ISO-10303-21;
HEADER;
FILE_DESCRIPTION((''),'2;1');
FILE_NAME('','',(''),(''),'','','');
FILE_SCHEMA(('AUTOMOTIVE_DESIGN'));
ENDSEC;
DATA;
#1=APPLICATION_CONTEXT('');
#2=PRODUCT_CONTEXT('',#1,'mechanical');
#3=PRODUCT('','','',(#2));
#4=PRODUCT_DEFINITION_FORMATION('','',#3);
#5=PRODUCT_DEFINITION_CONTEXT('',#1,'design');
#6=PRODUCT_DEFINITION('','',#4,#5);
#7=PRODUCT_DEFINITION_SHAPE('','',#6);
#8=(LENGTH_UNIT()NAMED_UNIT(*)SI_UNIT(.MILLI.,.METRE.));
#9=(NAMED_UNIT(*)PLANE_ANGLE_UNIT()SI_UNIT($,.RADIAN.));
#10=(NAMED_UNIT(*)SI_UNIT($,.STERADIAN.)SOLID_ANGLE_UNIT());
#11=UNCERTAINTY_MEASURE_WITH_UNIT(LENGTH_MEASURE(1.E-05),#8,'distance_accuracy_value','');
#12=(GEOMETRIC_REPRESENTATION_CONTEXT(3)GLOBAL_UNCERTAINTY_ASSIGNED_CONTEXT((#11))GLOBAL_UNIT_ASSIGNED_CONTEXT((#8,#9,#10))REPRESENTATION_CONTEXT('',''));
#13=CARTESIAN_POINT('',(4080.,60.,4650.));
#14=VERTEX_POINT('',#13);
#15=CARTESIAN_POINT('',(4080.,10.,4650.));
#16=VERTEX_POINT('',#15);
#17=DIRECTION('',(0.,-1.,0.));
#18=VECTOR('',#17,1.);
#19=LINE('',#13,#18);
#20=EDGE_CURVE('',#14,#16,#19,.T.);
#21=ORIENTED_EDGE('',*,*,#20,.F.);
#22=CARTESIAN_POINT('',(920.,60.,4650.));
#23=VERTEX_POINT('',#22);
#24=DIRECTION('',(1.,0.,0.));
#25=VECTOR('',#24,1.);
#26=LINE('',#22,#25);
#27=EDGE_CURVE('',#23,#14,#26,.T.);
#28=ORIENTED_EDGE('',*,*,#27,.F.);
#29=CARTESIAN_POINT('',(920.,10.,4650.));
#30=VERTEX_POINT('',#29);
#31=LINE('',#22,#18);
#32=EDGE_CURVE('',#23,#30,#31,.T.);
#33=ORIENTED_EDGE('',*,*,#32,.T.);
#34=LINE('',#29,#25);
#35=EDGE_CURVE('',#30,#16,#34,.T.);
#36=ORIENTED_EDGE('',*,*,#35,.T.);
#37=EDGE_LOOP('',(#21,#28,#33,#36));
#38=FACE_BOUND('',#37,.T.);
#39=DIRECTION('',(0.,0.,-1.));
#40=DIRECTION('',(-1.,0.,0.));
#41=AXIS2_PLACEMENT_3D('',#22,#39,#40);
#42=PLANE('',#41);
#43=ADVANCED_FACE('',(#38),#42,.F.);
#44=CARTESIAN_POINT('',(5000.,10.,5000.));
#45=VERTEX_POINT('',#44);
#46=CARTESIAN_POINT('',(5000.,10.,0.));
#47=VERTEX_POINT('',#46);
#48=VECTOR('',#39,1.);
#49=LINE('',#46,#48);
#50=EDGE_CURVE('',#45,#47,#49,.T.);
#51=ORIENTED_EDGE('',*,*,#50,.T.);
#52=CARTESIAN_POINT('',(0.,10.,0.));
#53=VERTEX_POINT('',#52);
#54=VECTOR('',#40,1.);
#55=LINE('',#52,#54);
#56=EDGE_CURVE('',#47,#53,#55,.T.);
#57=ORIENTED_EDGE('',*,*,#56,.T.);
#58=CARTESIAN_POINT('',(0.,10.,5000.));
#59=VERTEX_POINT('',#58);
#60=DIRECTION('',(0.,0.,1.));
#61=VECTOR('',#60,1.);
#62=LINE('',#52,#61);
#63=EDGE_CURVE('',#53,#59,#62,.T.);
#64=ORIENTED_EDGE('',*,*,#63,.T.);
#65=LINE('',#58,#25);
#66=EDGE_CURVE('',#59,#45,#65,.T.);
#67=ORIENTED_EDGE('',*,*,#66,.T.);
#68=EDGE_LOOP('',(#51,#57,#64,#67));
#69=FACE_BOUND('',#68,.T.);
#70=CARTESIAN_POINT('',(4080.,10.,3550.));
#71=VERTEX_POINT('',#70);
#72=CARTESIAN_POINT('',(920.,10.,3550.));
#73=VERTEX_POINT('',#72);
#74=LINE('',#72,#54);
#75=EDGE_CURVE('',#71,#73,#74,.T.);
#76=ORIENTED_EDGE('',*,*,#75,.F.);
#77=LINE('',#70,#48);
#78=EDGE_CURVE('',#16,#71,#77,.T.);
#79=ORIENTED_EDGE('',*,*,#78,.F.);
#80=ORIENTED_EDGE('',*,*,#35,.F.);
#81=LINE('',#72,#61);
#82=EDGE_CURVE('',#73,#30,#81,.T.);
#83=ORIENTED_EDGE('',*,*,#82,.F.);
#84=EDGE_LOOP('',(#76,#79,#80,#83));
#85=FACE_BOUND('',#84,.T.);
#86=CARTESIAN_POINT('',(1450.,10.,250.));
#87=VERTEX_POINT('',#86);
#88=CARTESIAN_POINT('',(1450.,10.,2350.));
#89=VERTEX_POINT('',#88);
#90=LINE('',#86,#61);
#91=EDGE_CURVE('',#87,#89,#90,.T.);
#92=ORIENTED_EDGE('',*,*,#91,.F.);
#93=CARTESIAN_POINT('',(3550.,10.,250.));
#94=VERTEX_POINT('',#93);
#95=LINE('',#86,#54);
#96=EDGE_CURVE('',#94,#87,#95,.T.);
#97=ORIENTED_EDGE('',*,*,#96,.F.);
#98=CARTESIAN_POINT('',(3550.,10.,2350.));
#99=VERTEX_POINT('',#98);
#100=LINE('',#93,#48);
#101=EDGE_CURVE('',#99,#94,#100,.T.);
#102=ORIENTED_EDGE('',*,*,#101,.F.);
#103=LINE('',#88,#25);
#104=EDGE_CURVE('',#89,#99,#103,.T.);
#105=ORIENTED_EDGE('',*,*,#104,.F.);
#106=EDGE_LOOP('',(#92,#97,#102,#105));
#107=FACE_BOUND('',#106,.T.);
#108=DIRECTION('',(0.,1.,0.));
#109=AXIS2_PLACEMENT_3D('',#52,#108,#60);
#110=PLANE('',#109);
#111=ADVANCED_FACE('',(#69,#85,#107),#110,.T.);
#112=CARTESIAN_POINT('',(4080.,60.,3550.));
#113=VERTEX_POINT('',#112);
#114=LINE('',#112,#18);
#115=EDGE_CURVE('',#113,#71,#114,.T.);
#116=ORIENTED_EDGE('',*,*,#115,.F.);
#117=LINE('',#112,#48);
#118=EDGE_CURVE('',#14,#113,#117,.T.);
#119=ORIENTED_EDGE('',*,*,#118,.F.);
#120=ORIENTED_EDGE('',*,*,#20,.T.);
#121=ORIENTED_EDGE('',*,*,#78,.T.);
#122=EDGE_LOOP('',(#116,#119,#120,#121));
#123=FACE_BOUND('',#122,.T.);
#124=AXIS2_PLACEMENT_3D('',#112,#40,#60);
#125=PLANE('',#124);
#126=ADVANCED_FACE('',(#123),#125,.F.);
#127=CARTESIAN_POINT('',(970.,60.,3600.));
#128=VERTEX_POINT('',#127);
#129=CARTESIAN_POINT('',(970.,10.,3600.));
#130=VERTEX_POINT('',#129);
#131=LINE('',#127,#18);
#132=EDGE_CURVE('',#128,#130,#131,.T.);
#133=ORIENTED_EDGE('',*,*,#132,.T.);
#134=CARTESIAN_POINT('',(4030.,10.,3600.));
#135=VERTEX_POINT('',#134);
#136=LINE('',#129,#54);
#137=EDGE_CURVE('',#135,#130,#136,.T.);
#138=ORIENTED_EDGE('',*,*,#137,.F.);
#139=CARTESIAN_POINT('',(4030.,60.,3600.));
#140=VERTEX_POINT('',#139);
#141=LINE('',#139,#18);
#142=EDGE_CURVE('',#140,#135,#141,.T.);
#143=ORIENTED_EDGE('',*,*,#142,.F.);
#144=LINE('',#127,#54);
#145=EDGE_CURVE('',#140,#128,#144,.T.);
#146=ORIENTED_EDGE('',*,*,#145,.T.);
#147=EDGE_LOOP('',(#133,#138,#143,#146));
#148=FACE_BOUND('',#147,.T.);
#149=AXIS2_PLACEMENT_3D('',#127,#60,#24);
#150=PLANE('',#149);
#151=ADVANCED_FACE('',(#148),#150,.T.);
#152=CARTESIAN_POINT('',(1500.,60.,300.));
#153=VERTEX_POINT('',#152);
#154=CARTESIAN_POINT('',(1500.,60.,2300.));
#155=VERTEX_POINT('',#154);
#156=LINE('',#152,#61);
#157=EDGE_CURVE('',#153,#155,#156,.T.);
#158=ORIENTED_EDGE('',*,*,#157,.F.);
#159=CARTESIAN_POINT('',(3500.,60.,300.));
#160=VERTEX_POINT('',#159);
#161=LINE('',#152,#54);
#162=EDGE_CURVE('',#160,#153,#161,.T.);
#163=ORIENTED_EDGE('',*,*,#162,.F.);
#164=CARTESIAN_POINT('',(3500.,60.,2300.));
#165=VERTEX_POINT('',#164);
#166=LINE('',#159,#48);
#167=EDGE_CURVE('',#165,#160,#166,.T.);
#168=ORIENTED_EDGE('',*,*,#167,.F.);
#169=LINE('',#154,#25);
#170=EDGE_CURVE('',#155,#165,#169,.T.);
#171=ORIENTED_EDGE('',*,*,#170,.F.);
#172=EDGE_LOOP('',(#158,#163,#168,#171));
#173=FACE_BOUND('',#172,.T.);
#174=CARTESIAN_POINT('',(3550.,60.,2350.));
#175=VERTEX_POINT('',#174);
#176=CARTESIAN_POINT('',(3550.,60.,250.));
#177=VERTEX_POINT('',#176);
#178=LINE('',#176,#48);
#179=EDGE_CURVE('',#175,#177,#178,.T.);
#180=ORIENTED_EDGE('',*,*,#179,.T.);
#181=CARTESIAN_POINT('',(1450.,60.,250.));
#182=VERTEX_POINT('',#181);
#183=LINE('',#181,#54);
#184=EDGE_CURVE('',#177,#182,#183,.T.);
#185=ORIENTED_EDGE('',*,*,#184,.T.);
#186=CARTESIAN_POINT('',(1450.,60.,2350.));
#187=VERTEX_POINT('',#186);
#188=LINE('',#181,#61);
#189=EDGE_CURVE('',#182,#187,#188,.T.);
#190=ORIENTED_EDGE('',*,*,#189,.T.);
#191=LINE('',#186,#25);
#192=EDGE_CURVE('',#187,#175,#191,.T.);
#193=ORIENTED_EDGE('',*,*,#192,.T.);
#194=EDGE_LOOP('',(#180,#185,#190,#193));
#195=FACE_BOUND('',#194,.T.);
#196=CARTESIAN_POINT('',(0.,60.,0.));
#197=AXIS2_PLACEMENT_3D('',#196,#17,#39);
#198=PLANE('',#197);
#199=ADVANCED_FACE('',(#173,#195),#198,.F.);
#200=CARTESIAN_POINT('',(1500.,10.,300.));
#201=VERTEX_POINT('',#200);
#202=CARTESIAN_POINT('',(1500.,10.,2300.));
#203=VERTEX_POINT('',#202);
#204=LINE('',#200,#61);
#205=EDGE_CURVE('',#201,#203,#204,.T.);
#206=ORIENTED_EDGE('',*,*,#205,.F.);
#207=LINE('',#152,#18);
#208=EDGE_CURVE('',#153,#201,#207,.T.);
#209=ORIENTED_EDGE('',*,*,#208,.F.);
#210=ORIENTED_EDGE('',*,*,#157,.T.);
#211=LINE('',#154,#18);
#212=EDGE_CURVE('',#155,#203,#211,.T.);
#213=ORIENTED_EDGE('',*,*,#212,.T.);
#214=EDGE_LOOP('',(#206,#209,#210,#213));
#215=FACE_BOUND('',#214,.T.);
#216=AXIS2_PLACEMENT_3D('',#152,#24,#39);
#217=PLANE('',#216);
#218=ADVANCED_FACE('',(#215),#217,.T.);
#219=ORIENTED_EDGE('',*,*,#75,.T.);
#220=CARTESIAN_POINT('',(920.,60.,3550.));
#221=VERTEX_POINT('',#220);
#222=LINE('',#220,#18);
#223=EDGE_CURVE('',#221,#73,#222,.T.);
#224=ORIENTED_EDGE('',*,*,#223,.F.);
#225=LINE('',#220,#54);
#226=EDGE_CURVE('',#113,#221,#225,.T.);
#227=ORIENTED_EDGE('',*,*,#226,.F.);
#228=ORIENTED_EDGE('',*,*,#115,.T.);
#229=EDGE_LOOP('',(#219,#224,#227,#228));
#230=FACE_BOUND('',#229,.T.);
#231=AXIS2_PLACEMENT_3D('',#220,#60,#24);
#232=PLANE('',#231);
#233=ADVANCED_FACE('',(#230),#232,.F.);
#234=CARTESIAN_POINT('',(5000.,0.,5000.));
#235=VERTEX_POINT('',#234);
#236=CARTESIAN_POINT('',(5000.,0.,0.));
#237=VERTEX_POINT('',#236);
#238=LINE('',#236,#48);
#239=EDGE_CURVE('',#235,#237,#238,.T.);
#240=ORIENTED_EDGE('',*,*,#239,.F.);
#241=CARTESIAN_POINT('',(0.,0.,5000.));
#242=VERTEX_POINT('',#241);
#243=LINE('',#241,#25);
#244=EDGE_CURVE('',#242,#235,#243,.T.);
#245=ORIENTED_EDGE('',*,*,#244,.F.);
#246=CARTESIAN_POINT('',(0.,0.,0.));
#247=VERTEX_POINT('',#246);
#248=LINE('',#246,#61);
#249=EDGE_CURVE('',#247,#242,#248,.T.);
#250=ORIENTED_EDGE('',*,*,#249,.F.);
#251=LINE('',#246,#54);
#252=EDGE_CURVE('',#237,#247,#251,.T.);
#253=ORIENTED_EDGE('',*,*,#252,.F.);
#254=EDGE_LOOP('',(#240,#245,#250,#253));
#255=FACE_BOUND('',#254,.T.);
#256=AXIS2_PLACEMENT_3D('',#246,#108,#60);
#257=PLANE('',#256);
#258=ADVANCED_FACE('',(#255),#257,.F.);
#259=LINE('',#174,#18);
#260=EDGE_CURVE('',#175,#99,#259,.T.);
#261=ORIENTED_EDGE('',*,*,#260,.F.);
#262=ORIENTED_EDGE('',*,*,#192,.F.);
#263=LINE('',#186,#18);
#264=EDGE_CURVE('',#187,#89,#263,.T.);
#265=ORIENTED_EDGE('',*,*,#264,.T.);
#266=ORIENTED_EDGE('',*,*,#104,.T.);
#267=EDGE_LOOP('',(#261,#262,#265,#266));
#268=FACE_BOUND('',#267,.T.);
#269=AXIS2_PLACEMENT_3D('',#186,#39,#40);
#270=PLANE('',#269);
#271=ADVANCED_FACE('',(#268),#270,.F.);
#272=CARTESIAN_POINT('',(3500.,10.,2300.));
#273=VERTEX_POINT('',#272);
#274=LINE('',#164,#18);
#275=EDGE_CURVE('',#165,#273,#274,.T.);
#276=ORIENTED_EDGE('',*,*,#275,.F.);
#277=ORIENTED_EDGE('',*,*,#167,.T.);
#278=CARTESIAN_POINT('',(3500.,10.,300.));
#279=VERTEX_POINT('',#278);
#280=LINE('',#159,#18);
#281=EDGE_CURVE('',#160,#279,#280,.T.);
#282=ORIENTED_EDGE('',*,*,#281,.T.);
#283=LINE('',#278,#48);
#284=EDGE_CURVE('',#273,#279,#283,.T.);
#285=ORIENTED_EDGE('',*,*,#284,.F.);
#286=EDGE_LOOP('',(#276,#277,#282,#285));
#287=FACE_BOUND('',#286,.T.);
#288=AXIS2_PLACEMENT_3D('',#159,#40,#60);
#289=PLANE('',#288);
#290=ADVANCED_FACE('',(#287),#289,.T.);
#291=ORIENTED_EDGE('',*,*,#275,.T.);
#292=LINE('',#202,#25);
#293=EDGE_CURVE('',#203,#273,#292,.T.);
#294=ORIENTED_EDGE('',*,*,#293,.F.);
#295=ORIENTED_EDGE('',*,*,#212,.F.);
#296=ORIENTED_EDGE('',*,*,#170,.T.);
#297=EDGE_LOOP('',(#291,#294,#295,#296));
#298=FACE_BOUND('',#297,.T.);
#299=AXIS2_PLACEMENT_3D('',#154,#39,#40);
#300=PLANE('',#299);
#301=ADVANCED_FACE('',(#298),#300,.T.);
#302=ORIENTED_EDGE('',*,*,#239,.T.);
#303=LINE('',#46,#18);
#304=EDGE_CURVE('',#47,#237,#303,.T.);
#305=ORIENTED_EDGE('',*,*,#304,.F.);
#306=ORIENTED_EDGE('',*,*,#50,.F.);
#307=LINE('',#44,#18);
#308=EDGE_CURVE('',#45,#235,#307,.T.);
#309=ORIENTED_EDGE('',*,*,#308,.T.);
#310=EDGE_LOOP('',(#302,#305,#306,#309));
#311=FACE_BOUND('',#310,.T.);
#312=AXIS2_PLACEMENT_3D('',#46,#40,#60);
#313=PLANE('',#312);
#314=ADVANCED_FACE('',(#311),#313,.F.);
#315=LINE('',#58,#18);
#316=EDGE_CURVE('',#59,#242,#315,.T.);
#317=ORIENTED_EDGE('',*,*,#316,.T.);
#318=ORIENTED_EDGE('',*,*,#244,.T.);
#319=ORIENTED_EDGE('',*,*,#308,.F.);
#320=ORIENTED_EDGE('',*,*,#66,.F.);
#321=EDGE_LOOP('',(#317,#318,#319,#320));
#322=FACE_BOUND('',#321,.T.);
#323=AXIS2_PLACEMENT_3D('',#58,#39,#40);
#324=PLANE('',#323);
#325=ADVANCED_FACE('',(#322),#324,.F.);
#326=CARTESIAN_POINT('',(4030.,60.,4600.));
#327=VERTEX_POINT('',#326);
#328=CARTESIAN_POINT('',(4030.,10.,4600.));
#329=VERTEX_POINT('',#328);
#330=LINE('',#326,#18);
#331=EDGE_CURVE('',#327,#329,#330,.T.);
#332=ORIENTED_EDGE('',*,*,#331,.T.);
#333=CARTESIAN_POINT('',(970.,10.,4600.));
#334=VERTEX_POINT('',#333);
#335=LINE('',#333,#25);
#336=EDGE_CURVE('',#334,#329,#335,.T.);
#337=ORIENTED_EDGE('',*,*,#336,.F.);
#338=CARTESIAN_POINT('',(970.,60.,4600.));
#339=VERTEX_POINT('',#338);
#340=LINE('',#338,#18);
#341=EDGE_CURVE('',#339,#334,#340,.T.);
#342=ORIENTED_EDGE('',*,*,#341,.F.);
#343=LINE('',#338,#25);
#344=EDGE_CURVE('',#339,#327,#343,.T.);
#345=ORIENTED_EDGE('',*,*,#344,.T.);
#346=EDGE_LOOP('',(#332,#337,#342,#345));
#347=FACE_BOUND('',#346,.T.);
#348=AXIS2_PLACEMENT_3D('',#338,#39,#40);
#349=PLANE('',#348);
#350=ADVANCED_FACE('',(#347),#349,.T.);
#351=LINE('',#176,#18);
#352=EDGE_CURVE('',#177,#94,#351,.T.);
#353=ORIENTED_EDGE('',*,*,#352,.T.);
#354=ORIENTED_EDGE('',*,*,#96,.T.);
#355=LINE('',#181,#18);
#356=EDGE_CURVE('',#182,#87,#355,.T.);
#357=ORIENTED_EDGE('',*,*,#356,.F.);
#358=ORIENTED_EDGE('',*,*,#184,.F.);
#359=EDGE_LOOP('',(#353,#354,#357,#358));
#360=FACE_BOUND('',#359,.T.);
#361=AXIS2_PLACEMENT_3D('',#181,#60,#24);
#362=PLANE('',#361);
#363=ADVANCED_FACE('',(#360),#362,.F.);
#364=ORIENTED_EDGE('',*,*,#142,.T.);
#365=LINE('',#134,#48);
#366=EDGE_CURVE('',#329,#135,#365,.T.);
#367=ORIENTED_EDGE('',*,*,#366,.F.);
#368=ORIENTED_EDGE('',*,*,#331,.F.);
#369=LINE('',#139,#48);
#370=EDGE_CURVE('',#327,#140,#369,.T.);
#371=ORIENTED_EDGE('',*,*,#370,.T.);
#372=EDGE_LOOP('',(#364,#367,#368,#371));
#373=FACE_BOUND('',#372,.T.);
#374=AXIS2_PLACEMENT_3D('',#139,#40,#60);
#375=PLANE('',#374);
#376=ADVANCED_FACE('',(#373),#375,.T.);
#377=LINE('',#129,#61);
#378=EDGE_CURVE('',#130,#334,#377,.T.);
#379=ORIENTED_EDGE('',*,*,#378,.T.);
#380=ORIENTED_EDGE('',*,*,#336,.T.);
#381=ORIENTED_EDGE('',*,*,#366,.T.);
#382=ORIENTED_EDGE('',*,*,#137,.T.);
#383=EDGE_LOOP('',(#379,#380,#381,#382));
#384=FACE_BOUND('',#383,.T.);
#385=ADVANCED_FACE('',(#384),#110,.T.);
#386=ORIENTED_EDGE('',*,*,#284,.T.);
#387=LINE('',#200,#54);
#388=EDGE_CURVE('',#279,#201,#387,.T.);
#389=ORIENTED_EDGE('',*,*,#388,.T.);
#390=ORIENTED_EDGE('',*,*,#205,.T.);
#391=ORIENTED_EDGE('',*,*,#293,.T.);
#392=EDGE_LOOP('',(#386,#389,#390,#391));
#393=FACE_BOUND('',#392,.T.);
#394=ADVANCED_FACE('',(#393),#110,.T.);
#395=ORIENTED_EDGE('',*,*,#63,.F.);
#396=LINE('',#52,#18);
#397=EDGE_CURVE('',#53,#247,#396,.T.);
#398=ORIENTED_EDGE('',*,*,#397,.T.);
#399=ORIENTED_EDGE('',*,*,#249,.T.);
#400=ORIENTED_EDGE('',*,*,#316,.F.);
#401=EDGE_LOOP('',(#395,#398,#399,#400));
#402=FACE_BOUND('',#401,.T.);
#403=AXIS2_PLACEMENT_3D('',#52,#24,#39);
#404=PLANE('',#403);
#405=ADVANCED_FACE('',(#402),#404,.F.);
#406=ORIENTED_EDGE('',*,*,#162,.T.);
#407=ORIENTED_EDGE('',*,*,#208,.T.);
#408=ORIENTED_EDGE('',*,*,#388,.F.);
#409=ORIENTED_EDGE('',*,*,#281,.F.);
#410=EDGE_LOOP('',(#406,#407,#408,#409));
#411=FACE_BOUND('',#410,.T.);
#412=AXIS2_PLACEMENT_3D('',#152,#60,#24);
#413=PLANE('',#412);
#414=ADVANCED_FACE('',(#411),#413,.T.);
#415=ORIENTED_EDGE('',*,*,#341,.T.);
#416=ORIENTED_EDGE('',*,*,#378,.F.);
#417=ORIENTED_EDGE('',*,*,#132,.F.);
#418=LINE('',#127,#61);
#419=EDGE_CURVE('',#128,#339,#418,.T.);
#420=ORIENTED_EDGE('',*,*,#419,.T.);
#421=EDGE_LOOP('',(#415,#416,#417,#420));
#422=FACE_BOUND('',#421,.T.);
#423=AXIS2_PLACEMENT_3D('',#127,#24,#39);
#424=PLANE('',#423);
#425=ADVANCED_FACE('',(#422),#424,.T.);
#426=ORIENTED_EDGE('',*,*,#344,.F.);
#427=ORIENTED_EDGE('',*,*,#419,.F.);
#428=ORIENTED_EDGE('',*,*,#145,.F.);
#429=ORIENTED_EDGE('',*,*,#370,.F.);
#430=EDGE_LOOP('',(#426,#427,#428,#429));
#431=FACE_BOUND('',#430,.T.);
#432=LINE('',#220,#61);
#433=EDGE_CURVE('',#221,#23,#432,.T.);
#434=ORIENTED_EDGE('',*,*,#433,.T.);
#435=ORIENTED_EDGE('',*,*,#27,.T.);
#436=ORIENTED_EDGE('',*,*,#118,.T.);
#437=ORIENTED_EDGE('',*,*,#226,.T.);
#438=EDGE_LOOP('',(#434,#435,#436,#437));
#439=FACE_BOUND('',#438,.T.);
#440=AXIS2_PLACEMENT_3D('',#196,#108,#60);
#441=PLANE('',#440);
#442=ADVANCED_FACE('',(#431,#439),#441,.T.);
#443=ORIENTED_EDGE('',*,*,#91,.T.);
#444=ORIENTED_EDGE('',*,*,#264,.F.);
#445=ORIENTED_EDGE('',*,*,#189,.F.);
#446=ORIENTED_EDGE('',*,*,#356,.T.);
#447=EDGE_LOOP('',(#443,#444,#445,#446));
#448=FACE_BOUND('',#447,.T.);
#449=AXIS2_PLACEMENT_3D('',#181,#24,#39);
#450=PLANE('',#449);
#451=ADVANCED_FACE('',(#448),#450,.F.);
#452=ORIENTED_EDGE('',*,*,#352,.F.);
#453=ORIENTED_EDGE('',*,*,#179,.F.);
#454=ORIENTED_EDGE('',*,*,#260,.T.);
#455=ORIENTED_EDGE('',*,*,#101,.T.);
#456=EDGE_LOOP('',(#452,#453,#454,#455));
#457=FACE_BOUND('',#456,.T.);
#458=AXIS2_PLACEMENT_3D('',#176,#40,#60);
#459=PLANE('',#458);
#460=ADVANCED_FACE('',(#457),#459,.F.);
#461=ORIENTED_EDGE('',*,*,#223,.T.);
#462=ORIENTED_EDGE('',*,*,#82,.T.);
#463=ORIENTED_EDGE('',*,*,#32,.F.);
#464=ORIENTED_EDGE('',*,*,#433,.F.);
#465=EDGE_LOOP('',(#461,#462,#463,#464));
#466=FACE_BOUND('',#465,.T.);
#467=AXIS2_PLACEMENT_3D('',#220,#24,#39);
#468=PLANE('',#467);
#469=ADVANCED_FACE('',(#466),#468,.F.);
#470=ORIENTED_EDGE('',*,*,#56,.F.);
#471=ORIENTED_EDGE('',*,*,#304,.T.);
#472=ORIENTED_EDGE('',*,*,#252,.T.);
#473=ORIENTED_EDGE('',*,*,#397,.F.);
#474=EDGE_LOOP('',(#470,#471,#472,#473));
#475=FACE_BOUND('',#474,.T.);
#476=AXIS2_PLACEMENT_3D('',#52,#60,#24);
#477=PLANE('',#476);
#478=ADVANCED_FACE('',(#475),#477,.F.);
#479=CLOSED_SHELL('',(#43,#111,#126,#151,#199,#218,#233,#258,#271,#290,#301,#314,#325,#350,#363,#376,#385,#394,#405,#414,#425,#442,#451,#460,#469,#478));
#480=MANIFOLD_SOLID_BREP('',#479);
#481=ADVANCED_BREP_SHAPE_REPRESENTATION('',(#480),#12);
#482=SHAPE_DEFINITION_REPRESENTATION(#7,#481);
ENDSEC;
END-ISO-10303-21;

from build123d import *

# Parameters (mm, degrees)
SKETCH1_W           = 5000
SKETCH1_H           = 5000
BOSS_EXTRUDE1_DEPTH = 10
SKETCH2_W           = 2100
SKETCH2_H           = 2100
SKETCH2_W_2         = 2000
SKETCH2_H_2         = 2000
SKETCH2_W_3         = 3160
SKETCH2_H_3         = 1100
SKETCH2_W_4         = 3060
SKETCH2_H_4         = 1000
BOSS_EXTRUDE2_DEPTH = 50


with BuildPart() as part:
    # Sketch1 → Boss-Extrude1 (new body)
    with BuildSketch(Plane(origin=(0, 0, 0), x_dir=(1, 0, 0), z_dir=(0, 1, 0))):
        with Locations((2500, -2500)):
            Rectangle(SKETCH1_W, SKETCH1_H)
    extrude(amount=BOSS_EXTRUDE1_DEPTH)

    # Sketch2 → Boss-Extrude2 (add)
    with BuildSketch(Plane(origin=(0, 10, 0), x_dir=(1, 0, 0), z_dir=(0, 1, 0))):
        with Locations((2500, -1300)):
            Rectangle(SKETCH2_W, SKETCH2_H)
        with Locations((2500, -1300)):
            Rectangle(SKETCH2_W_2, SKETCH2_H_2, mode=Mode.SUBTRACT)
        with Locations((2500, -4100)):
            Rectangle(SKETCH2_W_3, SKETCH2_H_3)
        with Locations((2500, -4100)):
            Rectangle(SKETCH2_W_4, SKETCH2_H_4, mode=Mode.SUBTRACT)
    extrude(amount=BOSS_EXTRUDE2_DEPTH)


solid = part.part
